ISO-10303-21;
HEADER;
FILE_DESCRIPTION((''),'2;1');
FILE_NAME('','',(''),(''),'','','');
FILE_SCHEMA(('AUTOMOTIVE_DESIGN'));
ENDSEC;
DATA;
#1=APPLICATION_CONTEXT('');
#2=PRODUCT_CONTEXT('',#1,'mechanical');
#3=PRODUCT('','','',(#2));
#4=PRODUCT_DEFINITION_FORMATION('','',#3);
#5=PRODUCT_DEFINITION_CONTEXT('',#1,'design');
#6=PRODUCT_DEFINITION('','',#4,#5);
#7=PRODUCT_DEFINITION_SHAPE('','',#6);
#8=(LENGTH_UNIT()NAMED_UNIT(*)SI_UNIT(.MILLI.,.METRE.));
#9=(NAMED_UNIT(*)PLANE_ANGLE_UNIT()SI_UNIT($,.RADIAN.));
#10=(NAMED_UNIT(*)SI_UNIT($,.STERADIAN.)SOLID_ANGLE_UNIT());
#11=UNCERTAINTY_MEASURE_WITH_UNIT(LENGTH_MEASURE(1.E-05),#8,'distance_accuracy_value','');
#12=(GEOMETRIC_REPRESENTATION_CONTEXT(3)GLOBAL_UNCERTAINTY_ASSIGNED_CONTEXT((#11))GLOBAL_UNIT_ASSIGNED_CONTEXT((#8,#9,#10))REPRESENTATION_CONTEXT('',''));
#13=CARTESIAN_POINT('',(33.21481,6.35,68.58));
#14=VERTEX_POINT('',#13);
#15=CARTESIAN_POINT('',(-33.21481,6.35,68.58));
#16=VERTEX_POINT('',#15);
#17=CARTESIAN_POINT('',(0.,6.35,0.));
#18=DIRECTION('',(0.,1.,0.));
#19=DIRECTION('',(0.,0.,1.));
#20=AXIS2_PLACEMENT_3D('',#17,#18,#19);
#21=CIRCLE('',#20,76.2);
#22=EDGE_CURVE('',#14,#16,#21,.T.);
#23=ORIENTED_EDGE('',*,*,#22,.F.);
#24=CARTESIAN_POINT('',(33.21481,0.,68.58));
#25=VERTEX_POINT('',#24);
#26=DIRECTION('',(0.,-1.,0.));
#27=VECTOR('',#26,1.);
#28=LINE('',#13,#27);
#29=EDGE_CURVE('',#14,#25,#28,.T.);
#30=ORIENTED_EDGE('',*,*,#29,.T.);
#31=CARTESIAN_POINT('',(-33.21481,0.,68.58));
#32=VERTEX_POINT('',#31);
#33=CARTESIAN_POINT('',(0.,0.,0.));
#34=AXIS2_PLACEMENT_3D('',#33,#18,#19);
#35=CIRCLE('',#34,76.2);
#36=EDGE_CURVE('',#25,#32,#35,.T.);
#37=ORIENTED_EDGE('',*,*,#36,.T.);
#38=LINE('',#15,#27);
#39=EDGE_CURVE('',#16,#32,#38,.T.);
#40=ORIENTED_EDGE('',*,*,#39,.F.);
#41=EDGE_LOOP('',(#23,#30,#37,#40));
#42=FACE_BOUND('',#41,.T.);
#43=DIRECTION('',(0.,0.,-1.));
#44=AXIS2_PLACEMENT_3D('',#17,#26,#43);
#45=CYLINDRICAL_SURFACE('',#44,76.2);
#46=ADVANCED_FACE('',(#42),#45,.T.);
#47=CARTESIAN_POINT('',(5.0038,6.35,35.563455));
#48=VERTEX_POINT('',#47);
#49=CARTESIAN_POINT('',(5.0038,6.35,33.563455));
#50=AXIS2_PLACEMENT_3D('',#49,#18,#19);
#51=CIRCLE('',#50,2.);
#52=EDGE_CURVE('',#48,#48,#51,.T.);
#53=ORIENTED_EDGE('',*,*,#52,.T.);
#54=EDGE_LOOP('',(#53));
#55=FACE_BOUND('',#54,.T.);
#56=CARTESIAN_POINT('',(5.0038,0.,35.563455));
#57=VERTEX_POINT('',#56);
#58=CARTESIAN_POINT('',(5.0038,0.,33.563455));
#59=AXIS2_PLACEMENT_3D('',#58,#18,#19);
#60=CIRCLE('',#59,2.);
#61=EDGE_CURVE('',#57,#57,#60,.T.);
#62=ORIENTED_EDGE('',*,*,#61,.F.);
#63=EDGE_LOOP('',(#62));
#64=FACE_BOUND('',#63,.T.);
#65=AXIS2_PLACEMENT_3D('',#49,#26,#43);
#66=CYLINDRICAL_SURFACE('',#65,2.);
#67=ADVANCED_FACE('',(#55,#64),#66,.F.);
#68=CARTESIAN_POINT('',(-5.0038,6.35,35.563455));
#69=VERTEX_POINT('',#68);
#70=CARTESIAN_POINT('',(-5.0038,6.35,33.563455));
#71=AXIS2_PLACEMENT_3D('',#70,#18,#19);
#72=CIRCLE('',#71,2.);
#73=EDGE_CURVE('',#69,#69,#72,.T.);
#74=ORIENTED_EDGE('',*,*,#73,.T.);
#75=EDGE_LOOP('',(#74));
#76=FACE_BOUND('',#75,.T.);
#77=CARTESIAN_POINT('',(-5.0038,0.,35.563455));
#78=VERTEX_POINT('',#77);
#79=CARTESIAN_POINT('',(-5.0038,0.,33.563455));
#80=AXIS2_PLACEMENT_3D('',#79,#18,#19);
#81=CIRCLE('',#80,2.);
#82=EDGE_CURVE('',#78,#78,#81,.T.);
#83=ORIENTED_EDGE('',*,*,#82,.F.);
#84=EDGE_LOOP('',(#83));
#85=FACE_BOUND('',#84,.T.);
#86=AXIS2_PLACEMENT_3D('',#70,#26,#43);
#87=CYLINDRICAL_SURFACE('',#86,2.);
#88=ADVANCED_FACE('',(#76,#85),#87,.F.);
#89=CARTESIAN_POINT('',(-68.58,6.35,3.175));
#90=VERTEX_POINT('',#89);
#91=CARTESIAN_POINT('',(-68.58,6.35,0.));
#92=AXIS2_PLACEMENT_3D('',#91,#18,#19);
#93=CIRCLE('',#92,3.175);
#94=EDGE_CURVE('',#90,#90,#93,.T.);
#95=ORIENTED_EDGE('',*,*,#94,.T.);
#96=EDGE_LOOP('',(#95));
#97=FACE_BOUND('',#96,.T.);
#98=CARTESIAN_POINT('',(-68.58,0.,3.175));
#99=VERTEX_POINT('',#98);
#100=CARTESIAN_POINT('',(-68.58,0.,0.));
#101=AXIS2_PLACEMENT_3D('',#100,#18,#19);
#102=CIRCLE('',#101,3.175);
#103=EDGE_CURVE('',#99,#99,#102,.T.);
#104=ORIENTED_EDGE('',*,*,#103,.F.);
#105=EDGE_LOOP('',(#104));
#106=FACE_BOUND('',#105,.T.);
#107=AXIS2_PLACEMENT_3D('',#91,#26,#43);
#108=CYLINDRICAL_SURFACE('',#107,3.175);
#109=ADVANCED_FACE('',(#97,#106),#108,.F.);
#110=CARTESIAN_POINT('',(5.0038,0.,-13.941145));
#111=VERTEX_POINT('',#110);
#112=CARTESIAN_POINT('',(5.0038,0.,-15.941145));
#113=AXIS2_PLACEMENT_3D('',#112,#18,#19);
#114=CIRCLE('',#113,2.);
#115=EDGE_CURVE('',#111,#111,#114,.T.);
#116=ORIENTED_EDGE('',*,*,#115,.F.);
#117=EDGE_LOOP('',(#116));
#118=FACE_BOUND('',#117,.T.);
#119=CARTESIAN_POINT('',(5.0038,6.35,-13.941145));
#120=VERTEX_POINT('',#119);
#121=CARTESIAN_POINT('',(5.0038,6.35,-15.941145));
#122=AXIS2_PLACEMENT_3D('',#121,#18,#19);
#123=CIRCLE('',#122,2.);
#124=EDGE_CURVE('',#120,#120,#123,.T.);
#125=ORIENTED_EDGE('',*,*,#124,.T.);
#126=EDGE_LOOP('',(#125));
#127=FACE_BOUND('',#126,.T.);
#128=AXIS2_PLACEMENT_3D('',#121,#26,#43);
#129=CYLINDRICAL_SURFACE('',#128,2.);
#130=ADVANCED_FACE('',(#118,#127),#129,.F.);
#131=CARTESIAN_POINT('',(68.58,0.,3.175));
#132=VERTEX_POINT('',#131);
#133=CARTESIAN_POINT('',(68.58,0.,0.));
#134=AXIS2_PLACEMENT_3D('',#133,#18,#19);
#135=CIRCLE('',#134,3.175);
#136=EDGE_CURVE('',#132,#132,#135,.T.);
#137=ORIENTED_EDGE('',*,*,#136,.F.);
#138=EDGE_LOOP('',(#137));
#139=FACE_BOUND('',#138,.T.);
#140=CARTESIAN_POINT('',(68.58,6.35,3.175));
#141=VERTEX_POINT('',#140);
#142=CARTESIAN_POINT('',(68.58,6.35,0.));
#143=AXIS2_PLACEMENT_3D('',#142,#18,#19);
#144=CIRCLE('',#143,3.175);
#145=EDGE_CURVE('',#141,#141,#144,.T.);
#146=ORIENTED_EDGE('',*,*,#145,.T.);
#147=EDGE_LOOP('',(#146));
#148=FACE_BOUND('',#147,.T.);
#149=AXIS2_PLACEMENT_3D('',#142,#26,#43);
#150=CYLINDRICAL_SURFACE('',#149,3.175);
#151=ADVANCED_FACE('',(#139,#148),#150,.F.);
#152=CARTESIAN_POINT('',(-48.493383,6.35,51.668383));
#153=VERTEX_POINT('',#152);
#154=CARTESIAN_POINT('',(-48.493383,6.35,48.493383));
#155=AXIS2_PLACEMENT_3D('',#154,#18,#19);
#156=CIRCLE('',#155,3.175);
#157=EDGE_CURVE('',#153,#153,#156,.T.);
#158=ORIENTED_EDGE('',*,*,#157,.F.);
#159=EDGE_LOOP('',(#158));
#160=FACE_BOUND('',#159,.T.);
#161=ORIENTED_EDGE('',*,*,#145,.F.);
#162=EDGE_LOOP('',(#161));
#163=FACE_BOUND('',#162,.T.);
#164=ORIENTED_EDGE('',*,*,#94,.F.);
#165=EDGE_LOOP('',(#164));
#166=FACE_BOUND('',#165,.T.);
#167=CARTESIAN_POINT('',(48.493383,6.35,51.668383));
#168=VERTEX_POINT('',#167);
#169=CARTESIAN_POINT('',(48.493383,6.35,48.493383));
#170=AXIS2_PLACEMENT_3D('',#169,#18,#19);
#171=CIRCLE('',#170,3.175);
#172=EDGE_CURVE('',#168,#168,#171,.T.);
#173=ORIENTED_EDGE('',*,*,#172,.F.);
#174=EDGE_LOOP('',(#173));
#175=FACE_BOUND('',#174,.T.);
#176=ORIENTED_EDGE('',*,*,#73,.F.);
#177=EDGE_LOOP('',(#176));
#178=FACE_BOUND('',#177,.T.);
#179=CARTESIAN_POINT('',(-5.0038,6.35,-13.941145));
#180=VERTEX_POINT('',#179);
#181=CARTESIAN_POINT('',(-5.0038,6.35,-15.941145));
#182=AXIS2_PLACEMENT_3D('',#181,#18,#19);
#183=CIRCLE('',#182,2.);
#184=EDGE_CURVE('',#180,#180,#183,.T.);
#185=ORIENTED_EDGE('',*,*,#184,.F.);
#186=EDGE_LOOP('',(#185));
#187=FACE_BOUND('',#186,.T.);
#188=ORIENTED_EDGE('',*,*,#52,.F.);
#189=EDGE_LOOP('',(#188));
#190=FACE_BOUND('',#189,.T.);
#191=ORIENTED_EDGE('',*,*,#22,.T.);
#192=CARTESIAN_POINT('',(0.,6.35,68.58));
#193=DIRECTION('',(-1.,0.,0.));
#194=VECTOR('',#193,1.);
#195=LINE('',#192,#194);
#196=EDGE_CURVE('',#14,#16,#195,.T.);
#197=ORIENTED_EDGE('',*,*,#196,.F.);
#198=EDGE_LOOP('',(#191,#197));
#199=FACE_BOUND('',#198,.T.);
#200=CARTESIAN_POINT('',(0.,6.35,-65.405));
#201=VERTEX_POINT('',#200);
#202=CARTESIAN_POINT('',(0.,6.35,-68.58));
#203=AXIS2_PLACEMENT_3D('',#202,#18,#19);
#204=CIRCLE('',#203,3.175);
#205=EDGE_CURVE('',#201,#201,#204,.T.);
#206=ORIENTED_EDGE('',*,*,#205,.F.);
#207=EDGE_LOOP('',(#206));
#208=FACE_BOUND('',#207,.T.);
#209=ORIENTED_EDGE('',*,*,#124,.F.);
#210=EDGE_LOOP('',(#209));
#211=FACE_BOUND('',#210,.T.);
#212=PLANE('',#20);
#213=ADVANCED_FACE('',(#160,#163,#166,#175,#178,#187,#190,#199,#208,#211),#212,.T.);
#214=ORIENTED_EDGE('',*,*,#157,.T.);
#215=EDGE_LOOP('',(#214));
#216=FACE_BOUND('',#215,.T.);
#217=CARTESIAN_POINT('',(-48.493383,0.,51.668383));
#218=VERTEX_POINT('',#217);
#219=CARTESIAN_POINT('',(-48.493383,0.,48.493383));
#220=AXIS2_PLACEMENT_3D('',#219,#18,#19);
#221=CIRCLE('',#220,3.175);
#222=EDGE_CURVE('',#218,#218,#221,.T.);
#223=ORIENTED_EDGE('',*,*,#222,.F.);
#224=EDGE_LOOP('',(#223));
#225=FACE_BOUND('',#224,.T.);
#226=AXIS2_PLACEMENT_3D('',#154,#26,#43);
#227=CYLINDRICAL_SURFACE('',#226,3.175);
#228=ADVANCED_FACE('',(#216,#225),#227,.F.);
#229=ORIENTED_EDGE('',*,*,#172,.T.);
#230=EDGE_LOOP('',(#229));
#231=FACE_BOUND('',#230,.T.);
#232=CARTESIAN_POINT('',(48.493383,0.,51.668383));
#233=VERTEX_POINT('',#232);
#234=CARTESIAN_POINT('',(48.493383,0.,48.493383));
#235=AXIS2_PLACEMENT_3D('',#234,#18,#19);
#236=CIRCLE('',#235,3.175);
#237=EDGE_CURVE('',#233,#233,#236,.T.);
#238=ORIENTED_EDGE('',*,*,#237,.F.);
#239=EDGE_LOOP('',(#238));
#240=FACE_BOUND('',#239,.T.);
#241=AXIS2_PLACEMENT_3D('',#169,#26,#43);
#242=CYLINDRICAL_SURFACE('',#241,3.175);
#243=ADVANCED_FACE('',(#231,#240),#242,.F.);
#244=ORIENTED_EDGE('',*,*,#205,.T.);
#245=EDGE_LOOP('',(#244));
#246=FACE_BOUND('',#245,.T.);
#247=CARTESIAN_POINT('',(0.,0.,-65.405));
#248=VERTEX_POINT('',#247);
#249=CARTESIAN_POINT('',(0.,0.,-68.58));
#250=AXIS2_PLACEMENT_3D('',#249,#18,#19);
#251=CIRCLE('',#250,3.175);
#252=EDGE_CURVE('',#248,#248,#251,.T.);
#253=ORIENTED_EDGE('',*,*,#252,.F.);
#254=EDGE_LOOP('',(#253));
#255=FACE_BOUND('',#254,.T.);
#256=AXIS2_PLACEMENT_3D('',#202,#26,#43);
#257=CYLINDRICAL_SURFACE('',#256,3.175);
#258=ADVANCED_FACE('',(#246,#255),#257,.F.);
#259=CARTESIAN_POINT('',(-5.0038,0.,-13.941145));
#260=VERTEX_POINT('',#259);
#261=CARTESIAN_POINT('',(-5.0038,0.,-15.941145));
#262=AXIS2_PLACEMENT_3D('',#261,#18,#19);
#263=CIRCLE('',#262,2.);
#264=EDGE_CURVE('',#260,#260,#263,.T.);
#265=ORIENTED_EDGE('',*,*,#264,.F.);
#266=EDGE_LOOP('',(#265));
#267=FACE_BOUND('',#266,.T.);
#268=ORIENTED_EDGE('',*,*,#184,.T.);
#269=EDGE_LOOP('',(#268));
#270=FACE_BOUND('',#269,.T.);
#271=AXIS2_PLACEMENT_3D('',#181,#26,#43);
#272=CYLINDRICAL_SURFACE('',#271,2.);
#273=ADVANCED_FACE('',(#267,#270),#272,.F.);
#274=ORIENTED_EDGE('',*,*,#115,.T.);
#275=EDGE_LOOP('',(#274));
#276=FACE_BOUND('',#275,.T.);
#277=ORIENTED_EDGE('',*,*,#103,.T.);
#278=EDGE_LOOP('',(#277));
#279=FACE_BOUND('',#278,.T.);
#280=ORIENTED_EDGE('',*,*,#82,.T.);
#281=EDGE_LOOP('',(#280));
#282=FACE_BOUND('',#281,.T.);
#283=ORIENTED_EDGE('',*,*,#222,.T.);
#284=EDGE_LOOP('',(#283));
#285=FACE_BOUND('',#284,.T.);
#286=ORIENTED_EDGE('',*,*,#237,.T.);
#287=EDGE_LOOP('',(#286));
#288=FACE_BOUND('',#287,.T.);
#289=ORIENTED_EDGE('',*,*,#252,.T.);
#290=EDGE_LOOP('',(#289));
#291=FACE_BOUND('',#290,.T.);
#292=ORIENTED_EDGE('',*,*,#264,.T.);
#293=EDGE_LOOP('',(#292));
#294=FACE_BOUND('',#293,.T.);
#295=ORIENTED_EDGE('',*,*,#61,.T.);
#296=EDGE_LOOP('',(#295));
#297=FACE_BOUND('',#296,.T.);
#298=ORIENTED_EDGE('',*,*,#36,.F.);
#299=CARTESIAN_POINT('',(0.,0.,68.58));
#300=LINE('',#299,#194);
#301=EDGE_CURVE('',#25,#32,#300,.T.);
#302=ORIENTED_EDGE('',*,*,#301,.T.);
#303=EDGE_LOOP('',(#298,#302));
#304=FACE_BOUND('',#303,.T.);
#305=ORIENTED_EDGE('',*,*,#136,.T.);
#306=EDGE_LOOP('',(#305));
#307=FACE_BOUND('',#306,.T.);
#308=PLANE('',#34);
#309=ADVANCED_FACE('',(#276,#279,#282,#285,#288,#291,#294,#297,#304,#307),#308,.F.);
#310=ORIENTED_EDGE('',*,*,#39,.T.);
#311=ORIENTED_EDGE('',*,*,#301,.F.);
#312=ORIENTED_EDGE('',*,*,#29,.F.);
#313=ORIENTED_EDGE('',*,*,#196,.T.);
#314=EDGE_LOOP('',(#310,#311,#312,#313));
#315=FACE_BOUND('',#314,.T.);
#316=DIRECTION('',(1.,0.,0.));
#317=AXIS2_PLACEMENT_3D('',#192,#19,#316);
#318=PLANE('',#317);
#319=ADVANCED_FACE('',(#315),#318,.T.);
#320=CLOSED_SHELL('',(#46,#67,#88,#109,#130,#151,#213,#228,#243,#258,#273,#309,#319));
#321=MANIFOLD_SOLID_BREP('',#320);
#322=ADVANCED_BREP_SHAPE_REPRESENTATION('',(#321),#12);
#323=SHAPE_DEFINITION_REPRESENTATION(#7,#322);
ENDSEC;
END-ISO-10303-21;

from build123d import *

# Parameters (mm, degrees)
SKETCH1_R           = 3.175
SKETCH1_R_2         = 2
BOSS_EXTRUDE1_DEPTH = 6.35


with BuildPart() as part:
    # Sketch1 → Boss-Extrude1 (new body)
    with BuildSketch(Plane(origin=(0, 0, 0), x_dir=(1, 0, 0), z_dir=(0, 1, 0))):
        with BuildLine():
            Line((-33.21480995, -68.58), (33.21480995, -68.58))
            ThreePointArc((33.21480995, -68.58), (64.565503631, -40.46894786), (76.2, 0))
            ThreePointArc((76.2, 0), (-40.46894786, 64.565503631), (-33.21480995, -68.58))
        make_face()
        with Locations(Location((-48.493383054, -48.493383054, 0), (0, 0, 270))):
            Circle(SKETCH1_R, mode=Mode.SUBTRACT)
        with Locations(Location((-5.0038, -33.563454663, 0), (0, 0, 270))):
            Circle(SKETCH1_R_2, mode=Mode.SUBTRACT)
        with Locations(Location((48.493383054, -48.493383054, 0), (0, 0, 270))):
            Circle(SKETCH1_R, mode=Mode.SUBTRACT)
        with Locations(Location((5.0038, -33.563454663, 0), (0, 0, 270))):
            Circle(SKETCH1_R_2, mode=Mode.SUBTRACT)
        with Locations(Location((-68.58, 0, 0), (0, 0, 270))):
            Circle(SKETCH1_R, mode=Mode.SUBTRACT)
        with Locations(Location((-5.0038, 15.941145337, 0), (0, 0, 270))):
            Circle(SKETCH1_R_2, mode=Mode.SUBTRACT)
        with Locations(Location((5.0038, 15.941145337, 0), (0, 0, 270))):
            Circle(SKETCH1_R_2, mode=Mode.SUBTRACT)
        with Locations(Location((68.58, 0, 0), (0, 0, 270))):
            Circle(SKETCH1_R, mode=Mode.SUBTRACT)
        with Locations(Location((0, 68.58, 0), (0, 0, 270))):
            Circle(SKETCH1_R, mode=Mode.SUBTRACT)
    extrude(amount=BOSS_EXTRUDE1_DEPTH)


solid = part.part
